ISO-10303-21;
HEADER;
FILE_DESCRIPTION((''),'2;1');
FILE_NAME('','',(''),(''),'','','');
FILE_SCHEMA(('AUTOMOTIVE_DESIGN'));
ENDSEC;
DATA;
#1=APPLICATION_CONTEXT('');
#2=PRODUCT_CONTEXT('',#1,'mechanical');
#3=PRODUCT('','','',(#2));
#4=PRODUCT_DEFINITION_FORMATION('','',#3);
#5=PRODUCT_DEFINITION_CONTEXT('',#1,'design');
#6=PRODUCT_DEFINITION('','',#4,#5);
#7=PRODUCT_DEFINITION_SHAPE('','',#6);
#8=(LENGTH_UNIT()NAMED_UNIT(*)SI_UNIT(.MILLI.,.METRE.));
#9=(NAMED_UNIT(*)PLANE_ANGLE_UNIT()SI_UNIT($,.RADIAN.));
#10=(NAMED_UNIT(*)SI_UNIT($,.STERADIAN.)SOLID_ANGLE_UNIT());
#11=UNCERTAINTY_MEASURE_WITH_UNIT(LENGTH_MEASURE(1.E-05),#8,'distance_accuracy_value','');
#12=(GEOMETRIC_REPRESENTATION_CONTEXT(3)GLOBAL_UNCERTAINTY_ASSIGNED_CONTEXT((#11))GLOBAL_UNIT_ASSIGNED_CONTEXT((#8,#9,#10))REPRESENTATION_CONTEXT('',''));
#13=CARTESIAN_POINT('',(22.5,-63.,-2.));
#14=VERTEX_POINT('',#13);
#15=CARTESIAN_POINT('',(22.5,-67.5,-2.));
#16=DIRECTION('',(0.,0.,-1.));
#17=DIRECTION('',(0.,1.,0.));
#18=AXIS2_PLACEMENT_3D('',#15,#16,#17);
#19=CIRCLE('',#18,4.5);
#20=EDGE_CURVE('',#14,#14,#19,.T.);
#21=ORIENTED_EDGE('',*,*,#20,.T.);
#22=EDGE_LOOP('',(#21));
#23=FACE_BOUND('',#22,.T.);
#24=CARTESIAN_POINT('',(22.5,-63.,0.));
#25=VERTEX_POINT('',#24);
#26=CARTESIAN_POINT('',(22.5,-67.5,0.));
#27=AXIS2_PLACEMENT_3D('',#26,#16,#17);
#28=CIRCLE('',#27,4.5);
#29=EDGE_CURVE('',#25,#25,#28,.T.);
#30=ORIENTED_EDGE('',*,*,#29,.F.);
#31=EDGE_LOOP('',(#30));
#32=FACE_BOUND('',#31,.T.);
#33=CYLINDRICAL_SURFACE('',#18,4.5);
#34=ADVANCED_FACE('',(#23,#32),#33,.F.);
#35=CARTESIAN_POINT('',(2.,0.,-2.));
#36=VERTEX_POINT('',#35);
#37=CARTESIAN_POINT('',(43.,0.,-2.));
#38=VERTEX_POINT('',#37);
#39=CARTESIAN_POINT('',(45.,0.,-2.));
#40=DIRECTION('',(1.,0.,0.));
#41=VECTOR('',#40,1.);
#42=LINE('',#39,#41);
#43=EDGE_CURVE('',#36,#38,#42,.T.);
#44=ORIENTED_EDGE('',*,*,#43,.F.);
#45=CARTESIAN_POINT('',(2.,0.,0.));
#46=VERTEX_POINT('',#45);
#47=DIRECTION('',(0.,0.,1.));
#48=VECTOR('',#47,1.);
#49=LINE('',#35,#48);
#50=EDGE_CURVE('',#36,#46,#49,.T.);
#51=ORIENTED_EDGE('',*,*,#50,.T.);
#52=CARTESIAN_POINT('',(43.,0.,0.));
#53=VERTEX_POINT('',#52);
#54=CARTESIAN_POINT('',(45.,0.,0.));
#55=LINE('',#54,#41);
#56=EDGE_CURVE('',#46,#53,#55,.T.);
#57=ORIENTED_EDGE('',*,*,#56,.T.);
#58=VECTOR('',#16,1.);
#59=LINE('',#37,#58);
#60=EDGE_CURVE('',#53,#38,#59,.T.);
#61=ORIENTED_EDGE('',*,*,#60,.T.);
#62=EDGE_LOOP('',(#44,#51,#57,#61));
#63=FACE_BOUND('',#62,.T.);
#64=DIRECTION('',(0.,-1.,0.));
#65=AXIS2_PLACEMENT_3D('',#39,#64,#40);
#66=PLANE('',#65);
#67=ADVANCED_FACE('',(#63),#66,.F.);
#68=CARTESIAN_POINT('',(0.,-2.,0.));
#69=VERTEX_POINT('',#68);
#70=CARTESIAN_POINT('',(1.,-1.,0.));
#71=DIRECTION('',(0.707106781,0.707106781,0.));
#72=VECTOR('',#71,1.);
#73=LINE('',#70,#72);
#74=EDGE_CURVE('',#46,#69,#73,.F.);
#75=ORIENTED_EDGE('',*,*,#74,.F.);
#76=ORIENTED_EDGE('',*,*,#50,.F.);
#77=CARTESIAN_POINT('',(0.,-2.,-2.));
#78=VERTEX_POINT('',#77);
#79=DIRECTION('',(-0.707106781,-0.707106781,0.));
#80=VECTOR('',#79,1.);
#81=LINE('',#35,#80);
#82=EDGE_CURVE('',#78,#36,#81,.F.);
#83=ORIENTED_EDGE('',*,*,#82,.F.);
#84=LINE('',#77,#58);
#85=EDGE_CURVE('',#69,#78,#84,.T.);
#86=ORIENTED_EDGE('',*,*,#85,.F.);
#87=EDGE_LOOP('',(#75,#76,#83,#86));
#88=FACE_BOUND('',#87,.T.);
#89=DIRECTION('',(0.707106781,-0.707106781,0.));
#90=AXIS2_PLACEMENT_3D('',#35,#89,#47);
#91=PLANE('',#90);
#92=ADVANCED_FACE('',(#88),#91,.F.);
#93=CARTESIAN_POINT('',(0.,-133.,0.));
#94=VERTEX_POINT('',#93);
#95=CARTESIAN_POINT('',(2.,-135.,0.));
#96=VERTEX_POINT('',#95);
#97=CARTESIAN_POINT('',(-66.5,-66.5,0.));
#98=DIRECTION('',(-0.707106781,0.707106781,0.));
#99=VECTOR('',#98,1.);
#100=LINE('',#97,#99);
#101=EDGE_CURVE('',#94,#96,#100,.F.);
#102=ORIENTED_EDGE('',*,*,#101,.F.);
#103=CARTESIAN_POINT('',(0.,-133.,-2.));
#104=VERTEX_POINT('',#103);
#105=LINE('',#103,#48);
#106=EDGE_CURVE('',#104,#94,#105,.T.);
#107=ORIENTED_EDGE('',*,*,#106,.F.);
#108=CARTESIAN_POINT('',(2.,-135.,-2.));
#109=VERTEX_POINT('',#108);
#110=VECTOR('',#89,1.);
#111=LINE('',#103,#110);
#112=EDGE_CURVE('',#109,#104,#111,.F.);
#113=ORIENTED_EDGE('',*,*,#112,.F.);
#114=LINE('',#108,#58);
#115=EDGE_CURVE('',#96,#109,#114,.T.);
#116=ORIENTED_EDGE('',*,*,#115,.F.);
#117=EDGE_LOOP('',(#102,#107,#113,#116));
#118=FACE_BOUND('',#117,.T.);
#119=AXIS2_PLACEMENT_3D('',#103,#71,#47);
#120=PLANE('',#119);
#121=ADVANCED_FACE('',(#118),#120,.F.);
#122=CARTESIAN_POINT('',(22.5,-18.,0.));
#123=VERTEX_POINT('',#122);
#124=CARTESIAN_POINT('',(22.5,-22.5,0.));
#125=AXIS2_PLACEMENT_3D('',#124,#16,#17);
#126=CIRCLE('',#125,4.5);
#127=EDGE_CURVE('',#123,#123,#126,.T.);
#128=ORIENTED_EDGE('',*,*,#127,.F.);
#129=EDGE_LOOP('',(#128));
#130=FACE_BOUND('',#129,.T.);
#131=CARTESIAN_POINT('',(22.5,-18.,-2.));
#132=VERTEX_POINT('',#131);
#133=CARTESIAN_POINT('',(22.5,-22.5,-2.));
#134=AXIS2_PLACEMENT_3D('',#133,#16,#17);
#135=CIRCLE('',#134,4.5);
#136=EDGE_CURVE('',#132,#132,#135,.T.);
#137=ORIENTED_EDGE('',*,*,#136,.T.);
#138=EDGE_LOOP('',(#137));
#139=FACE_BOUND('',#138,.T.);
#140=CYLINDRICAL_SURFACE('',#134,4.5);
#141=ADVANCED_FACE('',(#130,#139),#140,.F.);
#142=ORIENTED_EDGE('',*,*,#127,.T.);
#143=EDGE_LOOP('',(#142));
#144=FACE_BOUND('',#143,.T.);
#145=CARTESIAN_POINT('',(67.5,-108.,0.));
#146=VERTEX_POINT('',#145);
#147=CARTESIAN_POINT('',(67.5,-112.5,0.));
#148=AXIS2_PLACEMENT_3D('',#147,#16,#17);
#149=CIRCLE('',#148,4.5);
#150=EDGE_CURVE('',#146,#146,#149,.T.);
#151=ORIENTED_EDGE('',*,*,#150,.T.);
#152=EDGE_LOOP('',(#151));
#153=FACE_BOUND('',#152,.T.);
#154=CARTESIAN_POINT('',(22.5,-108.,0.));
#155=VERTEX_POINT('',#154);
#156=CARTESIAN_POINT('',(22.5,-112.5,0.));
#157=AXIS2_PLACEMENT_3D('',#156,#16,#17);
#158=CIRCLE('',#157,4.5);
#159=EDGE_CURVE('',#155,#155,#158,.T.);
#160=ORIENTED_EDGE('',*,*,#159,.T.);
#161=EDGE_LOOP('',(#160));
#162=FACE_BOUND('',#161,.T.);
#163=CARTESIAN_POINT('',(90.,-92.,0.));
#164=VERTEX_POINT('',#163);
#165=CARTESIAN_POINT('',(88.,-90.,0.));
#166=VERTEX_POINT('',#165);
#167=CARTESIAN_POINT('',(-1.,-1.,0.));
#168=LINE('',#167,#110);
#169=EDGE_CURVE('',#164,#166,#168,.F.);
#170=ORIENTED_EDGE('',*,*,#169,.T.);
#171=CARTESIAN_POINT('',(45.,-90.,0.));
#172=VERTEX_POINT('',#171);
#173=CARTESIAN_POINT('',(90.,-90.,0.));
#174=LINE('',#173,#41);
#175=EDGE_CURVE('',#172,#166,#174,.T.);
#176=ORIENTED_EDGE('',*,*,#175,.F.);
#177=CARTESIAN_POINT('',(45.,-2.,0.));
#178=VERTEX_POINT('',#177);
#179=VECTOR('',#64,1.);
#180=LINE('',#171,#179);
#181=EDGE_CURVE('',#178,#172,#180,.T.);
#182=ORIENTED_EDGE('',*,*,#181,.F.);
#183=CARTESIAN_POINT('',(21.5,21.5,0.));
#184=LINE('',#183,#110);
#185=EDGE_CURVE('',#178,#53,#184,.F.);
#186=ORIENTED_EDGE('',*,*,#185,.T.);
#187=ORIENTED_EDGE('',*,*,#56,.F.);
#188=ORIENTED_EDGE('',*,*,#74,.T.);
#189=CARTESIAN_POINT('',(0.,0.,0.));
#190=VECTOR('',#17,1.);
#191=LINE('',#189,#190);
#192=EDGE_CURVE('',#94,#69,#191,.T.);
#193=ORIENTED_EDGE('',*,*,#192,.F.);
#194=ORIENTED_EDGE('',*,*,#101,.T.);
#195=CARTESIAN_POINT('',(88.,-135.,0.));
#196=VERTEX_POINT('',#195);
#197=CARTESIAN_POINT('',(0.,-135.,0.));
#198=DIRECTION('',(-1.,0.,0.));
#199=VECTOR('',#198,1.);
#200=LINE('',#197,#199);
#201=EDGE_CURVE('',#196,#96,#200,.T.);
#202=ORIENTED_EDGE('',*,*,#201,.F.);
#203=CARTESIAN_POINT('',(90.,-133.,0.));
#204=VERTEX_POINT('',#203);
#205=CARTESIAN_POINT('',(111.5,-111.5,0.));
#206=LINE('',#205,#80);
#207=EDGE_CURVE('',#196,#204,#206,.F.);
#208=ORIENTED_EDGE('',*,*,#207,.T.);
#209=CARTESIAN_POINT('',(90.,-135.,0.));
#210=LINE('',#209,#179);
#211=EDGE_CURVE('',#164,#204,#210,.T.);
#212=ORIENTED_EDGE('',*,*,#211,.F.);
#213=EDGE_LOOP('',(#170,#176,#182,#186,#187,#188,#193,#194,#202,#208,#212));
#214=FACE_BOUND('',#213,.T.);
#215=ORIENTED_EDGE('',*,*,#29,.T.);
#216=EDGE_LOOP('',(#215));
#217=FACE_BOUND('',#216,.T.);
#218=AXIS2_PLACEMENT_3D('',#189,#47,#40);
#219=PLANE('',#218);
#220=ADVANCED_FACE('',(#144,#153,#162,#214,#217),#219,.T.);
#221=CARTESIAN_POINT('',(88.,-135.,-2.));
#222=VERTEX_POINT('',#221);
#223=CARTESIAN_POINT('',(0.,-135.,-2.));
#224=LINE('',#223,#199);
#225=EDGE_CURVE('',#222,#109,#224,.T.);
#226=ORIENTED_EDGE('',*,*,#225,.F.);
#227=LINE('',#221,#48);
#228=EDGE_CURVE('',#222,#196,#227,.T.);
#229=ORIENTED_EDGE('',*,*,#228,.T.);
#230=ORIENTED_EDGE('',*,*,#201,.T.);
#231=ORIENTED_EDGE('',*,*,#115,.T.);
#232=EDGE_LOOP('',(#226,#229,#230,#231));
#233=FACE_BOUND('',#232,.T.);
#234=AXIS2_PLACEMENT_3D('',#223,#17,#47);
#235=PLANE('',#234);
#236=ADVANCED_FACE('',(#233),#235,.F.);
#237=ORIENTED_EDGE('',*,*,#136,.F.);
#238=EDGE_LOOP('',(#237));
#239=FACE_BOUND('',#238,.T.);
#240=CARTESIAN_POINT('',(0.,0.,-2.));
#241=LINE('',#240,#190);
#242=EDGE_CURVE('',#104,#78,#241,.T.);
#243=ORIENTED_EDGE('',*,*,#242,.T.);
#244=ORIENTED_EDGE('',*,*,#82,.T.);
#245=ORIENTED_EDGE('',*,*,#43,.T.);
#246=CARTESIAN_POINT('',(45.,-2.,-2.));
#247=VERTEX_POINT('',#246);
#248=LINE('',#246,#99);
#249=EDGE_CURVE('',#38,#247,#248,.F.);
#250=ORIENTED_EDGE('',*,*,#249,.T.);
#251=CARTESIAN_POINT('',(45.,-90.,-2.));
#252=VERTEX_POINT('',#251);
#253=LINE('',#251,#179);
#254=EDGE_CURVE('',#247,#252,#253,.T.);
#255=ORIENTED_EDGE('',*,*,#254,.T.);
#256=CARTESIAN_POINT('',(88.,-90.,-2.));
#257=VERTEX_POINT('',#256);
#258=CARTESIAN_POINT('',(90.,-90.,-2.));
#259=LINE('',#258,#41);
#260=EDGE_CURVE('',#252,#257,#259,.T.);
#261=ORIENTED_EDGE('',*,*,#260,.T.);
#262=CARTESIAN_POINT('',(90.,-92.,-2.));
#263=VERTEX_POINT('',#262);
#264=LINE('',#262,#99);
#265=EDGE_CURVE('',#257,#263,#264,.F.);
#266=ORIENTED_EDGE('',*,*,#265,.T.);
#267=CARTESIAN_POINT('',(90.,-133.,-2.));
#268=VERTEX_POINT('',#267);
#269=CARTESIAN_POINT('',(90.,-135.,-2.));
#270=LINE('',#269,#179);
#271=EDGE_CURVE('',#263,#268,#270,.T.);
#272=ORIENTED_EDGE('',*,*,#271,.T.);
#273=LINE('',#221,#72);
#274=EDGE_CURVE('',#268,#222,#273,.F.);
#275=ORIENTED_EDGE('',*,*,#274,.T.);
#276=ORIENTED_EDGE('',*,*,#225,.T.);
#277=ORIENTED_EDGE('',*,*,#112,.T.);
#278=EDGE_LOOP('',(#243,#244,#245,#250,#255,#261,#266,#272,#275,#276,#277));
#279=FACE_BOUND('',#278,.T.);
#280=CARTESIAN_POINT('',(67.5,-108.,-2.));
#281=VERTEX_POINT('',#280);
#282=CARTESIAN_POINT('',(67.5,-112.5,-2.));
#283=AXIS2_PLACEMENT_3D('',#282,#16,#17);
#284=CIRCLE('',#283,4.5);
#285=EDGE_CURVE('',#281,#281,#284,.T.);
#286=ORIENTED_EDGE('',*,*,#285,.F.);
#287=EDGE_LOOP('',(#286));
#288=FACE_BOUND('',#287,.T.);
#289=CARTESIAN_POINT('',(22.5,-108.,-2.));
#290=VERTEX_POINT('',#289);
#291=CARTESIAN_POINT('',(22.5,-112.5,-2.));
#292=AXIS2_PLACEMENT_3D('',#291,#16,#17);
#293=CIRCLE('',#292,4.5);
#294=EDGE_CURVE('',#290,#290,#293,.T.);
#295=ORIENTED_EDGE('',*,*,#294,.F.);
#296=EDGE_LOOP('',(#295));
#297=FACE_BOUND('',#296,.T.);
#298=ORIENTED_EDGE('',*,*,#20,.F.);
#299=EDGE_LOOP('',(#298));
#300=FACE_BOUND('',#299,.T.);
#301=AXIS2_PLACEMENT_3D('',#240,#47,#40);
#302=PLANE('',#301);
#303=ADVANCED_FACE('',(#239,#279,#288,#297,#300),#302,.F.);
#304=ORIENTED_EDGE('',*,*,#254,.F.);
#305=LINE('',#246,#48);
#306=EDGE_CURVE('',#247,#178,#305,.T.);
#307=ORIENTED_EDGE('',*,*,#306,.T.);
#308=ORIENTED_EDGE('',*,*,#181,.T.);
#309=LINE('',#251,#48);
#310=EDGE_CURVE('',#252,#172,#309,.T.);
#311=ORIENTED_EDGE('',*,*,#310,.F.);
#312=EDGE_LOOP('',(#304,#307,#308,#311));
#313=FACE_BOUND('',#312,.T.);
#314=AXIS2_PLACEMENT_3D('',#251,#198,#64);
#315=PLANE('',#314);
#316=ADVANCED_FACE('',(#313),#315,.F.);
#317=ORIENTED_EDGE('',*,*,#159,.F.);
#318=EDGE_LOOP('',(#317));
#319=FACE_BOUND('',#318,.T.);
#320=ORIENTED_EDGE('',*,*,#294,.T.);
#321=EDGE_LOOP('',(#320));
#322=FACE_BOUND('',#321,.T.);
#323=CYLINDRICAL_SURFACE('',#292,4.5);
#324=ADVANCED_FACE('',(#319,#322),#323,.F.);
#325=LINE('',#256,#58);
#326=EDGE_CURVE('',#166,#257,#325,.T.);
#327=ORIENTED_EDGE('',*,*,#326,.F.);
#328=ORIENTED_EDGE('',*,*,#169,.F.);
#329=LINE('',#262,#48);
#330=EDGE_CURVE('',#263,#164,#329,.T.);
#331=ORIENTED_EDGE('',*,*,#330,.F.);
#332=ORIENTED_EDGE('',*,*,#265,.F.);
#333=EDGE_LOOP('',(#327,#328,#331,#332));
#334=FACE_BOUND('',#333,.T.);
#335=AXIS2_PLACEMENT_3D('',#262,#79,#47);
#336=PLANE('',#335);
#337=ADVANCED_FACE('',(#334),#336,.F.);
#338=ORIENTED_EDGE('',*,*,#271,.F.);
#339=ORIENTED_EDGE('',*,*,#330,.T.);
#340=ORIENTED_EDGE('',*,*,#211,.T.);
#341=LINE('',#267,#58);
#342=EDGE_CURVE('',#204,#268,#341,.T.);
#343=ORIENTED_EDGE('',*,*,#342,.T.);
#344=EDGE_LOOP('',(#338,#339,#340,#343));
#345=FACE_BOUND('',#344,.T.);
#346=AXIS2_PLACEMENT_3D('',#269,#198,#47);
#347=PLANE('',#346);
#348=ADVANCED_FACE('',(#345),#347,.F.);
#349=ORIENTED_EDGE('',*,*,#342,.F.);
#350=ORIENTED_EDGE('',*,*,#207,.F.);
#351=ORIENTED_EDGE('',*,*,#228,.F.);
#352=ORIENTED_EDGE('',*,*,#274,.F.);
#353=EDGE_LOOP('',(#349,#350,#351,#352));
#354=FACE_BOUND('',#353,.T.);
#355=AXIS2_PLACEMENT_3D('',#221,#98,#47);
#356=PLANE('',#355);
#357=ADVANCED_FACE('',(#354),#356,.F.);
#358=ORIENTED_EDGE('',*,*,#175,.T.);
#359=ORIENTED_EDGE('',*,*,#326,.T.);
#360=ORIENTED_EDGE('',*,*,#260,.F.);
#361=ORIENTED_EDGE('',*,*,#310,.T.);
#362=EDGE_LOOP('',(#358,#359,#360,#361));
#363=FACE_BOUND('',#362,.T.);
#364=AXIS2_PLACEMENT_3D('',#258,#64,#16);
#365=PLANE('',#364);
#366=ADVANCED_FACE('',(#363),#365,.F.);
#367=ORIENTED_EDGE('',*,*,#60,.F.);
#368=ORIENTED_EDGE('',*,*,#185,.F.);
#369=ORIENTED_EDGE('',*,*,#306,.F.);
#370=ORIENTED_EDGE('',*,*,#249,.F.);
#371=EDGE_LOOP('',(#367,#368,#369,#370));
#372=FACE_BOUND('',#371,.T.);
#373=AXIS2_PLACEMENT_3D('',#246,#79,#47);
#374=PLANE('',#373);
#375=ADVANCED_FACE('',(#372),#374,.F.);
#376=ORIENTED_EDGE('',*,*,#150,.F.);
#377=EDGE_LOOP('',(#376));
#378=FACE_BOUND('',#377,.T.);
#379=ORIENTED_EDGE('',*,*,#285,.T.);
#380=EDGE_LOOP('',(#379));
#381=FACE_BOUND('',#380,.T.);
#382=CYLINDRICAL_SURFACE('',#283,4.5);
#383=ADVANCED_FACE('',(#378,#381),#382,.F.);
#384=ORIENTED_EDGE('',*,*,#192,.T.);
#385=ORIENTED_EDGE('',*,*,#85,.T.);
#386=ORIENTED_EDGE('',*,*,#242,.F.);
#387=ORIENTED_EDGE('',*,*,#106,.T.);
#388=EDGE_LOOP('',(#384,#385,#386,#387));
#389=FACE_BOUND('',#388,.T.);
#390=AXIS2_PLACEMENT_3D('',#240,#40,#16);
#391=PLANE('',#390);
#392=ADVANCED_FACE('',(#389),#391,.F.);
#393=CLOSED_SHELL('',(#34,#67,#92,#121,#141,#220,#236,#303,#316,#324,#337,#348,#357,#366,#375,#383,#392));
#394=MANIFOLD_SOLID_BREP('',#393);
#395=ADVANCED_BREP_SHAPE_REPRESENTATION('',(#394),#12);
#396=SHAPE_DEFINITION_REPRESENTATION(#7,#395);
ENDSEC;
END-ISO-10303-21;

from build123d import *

# Parameters (mm, degrees)
EXTRUDE_1_DEPTH   = 2
HOLE_WIZARD_M81_D = 9
CHAMFER_1_SIZE    = 2


with BuildPart() as part:
    # Эскиз1 → Бобышка-Вытянуть1 (new body)
    with BuildSketch(Plane(origin=(0, 0, 0), x_dir=(1, 0, 0), z_dir=(0, 0, -1))):
        Polygon((0, 0), (0, 135), (90, 135), (90, 90), (45, 90), (45, 0), align=None)
    extrude(amount=EXTRUDE_1_DEPTH)

    # Отверстие с зазором M81 (through all)
    with Locations(Plane(origin=(0, 0, -2), x_dir=(1, 0, 0), z_dir=(0, 0, -1))):
        with Locations((67.5, 112.5), (22.5, 112.5), (22.5, 67.5), (22.5, 22.5)):
            Hole(HOLE_WIZARD_M81_D / 2)

    # Фаска1
    chamfer_1_edges = [part.edges().sort_by_distance(p)[0] for p in [
        (0, 0, -1),
        (0, -135, -1),
        (90, -135, -1),
        (90, -90, -1),
        (45, 0, -1),
    ]]
    chamfer(chamfer_1_edges, length=CHAMFER_1_SIZE)


solid = part.part
